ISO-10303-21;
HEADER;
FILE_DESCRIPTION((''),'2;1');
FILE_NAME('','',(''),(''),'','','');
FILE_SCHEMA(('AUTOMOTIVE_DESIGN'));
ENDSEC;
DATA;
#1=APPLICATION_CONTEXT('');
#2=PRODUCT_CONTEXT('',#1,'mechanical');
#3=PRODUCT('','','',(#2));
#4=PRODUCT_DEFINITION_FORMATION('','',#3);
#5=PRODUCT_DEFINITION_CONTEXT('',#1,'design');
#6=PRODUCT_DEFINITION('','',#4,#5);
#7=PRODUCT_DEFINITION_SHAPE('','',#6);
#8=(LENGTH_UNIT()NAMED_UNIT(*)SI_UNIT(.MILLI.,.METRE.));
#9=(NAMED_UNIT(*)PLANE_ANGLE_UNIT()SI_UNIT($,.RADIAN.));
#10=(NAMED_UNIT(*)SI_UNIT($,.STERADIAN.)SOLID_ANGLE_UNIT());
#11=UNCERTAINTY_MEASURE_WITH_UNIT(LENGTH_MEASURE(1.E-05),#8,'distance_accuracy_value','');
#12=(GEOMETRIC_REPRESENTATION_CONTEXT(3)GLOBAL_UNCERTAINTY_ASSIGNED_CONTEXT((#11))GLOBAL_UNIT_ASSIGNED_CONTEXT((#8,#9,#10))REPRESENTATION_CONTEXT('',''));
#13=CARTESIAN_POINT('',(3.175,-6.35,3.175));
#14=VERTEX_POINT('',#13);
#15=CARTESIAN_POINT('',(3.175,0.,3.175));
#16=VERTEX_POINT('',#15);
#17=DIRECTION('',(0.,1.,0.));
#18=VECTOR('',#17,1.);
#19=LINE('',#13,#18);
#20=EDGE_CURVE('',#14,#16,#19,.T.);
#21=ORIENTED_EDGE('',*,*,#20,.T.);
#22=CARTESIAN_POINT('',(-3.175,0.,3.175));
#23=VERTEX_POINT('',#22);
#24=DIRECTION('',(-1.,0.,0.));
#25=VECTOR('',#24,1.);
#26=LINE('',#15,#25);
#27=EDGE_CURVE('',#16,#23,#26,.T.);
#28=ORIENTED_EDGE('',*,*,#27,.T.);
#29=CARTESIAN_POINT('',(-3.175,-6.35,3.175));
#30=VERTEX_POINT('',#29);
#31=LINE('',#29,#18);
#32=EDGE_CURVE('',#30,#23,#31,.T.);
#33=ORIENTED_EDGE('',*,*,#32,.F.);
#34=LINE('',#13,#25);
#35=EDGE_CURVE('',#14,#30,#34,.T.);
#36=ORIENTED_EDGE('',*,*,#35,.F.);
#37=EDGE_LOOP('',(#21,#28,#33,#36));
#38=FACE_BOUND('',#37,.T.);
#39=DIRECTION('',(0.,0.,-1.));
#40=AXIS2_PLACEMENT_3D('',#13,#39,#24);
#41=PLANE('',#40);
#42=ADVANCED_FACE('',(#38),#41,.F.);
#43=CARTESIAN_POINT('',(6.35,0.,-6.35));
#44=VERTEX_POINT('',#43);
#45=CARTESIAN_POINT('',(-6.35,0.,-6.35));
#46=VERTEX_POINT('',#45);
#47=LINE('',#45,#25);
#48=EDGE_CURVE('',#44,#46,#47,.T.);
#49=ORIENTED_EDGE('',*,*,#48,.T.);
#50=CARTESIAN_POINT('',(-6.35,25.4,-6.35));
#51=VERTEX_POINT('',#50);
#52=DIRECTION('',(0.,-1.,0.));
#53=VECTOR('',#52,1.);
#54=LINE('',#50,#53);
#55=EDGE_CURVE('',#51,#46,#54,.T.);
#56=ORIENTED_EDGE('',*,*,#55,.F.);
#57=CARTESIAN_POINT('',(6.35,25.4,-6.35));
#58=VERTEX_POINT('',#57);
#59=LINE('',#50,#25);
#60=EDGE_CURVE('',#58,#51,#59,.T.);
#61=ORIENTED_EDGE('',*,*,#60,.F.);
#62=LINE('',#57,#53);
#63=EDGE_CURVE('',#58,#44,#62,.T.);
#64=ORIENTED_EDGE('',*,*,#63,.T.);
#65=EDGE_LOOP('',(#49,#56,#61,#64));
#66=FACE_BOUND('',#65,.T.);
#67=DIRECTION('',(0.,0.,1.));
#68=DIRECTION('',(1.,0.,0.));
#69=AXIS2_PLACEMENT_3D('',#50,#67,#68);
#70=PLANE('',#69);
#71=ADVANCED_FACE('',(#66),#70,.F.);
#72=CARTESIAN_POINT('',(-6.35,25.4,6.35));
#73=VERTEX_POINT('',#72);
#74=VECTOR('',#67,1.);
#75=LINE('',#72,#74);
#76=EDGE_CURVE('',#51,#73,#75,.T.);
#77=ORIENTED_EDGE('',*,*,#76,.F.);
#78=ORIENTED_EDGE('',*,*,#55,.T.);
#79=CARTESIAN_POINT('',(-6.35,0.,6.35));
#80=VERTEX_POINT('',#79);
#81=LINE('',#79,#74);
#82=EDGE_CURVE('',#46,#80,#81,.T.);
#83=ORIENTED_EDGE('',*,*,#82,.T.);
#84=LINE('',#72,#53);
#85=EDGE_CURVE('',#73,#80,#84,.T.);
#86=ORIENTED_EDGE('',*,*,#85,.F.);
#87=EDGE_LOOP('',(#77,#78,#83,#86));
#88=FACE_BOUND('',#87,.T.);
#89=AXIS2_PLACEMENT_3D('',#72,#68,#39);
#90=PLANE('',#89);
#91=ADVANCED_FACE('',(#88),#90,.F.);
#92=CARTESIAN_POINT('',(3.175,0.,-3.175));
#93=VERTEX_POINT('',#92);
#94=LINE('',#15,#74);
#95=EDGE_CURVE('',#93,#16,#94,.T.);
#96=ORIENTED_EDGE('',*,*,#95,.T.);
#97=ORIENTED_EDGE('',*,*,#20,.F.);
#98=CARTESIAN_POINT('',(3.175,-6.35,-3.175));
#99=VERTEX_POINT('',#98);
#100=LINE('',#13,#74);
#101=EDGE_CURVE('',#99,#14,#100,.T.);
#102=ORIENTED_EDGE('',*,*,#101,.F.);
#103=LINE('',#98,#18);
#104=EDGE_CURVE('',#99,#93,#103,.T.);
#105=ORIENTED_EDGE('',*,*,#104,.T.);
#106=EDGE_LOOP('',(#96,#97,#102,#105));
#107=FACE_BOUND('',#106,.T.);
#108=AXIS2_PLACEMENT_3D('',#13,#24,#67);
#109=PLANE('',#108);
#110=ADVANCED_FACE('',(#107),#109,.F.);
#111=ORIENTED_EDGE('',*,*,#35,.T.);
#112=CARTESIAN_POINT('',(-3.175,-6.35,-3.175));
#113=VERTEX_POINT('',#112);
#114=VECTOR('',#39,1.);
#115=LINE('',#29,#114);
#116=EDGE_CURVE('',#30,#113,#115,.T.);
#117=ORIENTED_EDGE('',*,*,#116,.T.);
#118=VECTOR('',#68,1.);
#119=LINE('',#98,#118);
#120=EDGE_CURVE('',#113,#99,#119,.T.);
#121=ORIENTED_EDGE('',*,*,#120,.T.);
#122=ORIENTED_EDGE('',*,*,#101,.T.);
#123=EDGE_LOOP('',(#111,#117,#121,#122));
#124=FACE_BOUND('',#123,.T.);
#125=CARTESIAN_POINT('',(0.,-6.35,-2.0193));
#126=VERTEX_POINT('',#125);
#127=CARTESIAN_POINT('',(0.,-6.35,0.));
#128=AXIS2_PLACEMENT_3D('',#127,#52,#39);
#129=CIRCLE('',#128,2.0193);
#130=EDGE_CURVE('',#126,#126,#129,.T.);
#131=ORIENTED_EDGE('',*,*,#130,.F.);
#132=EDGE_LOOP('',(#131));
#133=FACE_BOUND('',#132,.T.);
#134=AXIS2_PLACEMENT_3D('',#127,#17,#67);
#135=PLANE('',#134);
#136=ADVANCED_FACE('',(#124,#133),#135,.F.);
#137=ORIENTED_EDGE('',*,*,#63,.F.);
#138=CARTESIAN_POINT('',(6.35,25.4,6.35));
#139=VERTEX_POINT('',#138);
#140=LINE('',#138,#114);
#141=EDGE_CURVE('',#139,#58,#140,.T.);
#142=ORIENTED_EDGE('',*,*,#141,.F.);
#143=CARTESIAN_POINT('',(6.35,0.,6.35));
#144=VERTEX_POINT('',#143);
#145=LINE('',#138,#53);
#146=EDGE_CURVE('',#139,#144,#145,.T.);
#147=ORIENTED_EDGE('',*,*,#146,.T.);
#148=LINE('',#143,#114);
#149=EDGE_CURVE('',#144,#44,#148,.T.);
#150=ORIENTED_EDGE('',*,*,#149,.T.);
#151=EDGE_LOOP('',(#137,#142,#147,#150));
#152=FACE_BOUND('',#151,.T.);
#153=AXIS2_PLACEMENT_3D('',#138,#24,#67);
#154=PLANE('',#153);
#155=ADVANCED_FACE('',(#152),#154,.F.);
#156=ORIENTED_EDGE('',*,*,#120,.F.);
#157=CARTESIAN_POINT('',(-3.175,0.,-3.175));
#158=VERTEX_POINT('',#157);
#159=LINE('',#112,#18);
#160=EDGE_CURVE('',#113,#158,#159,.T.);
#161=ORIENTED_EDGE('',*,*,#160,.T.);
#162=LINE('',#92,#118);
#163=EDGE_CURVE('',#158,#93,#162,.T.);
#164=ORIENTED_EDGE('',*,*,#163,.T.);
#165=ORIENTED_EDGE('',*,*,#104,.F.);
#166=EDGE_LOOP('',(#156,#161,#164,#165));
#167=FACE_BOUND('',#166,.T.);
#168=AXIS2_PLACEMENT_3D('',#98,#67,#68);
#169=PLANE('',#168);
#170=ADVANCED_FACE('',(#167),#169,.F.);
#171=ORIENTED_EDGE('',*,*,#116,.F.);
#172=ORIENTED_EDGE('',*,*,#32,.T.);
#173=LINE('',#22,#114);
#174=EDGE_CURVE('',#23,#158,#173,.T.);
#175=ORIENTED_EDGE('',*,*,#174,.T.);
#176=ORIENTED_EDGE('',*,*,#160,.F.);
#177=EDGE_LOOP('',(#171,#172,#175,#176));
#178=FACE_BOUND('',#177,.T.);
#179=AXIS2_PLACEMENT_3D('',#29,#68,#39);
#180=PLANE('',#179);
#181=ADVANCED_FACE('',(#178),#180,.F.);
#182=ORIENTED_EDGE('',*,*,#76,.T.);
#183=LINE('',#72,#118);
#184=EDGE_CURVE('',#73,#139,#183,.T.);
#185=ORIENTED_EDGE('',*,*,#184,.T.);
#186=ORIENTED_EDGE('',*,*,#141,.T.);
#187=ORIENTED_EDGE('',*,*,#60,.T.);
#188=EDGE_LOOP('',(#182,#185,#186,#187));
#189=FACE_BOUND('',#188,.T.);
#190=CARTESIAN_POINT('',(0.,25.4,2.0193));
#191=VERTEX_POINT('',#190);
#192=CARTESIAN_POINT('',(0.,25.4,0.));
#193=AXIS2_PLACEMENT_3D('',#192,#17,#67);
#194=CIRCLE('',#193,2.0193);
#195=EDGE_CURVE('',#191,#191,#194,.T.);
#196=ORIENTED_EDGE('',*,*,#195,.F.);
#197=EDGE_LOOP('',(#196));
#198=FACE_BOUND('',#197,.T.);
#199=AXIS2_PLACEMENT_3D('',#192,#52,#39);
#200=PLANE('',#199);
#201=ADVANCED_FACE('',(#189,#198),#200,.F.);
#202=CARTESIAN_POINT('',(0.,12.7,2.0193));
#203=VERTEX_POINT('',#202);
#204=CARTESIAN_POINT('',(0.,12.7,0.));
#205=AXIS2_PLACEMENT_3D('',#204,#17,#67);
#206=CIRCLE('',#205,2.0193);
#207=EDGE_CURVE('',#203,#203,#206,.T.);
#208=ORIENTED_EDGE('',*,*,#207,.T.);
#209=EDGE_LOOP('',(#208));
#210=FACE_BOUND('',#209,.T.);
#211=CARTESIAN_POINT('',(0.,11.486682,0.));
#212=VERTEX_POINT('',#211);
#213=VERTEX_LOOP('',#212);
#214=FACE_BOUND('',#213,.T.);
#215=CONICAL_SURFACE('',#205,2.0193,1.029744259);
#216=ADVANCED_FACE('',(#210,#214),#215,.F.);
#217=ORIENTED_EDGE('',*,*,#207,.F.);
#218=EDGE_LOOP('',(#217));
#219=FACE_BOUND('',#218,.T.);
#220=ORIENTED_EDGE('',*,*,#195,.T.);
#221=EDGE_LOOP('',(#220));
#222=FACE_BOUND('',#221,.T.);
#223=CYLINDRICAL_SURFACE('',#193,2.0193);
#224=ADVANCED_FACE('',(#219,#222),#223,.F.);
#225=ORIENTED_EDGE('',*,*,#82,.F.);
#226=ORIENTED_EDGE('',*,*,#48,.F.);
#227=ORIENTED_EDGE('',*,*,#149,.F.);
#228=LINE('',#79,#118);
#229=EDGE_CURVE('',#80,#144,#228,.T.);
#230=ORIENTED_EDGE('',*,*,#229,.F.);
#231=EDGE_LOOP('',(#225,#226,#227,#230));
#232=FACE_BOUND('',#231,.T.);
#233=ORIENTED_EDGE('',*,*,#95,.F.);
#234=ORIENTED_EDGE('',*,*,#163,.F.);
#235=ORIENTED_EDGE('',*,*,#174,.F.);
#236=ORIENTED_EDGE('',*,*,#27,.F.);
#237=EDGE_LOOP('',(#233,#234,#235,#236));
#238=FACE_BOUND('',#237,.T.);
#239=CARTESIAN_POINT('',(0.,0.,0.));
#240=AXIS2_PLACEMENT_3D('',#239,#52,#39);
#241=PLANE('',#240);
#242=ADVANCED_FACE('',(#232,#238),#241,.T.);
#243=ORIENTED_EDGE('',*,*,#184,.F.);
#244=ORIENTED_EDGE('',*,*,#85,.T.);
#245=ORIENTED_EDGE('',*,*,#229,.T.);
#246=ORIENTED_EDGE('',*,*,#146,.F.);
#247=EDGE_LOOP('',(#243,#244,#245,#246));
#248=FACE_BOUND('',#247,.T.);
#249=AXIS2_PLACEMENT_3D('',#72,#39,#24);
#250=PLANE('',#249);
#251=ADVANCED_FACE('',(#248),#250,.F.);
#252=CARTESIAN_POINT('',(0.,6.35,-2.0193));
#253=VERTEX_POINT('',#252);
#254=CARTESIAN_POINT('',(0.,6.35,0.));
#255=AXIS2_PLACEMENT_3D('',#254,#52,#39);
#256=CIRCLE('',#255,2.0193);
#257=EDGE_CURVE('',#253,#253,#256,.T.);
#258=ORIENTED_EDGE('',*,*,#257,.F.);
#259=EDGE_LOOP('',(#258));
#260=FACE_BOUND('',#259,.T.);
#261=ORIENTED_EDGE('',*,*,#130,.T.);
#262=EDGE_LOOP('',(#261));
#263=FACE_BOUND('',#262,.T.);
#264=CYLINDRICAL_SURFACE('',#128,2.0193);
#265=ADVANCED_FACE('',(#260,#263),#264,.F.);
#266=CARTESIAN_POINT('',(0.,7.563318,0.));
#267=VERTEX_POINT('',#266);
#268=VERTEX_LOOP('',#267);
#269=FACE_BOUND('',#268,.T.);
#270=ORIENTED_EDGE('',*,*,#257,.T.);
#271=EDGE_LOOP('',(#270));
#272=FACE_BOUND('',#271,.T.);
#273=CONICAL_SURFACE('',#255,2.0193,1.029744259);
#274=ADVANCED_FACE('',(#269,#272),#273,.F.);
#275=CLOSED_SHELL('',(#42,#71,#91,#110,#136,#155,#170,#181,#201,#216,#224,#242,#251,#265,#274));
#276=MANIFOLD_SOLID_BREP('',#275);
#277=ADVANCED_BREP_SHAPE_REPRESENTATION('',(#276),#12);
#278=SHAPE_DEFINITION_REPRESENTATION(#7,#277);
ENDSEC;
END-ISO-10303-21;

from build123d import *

# Parameters (mm, degrees)
SKETCH1_W                  = 12.7
SKETCH1_H                  = 12.7
BOSS_EXTRUDE1_DEPTH        = 25.4
SKETCH2_W                  = 6.35
SKETCH2_H                  = 6.35
BOSS_EXTRUDE2_DEPTH        = 6.35
F_10_32_TAPPED_HOLE2_D     = 4.0386
F_10_32_TAPPED_HOLE2_DEPTH = 12.7
F_10_32_TAPPED_HOLE2_TIP   = 1.213317848
F_10_32_TAPPED_HOLE3_D     = 4.0386
F_10_32_TAPPED_HOLE3_DEPTH = 12.7
F_10_32_TAPPED_HOLE3_TIP   = 1.213317848


with BuildPart() as part:
    # Sketch1 → Boss-Extrude1 (new body)
    with BuildSketch(Plane(origin=(0, 0, 0), x_dir=(1, 0, 0), z_dir=(0, 1, 0))):
        Rectangle(SKETCH1_W, SKETCH1_H)
    extrude(amount=BOSS_EXTRUDE1_DEPTH)

    # Sketch2 → Boss-Extrude2 (add)
    with BuildSketch(Plane.XZ):
        Rectangle(SKETCH2_W, SKETCH2_H)
    extrude(amount=BOSS_EXTRUDE2_DEPTH)

    # #10-32 Tapped Hole2
    with Locations(Plane(origin=(0, -6.35, 0), x_dir=(-1, 0, 0), z_dir=(0, -1, 0))):
        with Locations((0, 0)):
            Hole(F_10_32_TAPPED_HOLE2_D / 2, depth=F_10_32_TAPPED_HOLE2_DEPTH)
            with Locations((0, 0, -(F_10_32_TAPPED_HOLE2_DEPTH + F_10_32_TAPPED_HOLE2_TIP / 2))):  # 118° drill point
                Cone(0, F_10_32_TAPPED_HOLE2_D / 2, F_10_32_TAPPED_HOLE2_TIP, mode=Mode.SUBTRACT)

    # #10-32 Tapped Hole3
    with Locations(Plane(origin=(0, 25.4, 0), x_dir=(1, 0, 0), z_dir=(0, 1, 0))):
        with Locations((0, 0)):
            Hole(F_10_32_TAPPED_HOLE3_D / 2, depth=F_10_32_TAPPED_HOLE3_DEPTH)
            with Locations((0, 0, -(F_10_32_TAPPED_HOLE3_DEPTH + F_10_32_TAPPED_HOLE3_TIP / 2))):  # 118° drill point
                Cone(0, F_10_32_TAPPED_HOLE3_D / 2, F_10_32_TAPPED_HOLE3_TIP, mode=Mode.SUBTRACT)


solid = part.part
